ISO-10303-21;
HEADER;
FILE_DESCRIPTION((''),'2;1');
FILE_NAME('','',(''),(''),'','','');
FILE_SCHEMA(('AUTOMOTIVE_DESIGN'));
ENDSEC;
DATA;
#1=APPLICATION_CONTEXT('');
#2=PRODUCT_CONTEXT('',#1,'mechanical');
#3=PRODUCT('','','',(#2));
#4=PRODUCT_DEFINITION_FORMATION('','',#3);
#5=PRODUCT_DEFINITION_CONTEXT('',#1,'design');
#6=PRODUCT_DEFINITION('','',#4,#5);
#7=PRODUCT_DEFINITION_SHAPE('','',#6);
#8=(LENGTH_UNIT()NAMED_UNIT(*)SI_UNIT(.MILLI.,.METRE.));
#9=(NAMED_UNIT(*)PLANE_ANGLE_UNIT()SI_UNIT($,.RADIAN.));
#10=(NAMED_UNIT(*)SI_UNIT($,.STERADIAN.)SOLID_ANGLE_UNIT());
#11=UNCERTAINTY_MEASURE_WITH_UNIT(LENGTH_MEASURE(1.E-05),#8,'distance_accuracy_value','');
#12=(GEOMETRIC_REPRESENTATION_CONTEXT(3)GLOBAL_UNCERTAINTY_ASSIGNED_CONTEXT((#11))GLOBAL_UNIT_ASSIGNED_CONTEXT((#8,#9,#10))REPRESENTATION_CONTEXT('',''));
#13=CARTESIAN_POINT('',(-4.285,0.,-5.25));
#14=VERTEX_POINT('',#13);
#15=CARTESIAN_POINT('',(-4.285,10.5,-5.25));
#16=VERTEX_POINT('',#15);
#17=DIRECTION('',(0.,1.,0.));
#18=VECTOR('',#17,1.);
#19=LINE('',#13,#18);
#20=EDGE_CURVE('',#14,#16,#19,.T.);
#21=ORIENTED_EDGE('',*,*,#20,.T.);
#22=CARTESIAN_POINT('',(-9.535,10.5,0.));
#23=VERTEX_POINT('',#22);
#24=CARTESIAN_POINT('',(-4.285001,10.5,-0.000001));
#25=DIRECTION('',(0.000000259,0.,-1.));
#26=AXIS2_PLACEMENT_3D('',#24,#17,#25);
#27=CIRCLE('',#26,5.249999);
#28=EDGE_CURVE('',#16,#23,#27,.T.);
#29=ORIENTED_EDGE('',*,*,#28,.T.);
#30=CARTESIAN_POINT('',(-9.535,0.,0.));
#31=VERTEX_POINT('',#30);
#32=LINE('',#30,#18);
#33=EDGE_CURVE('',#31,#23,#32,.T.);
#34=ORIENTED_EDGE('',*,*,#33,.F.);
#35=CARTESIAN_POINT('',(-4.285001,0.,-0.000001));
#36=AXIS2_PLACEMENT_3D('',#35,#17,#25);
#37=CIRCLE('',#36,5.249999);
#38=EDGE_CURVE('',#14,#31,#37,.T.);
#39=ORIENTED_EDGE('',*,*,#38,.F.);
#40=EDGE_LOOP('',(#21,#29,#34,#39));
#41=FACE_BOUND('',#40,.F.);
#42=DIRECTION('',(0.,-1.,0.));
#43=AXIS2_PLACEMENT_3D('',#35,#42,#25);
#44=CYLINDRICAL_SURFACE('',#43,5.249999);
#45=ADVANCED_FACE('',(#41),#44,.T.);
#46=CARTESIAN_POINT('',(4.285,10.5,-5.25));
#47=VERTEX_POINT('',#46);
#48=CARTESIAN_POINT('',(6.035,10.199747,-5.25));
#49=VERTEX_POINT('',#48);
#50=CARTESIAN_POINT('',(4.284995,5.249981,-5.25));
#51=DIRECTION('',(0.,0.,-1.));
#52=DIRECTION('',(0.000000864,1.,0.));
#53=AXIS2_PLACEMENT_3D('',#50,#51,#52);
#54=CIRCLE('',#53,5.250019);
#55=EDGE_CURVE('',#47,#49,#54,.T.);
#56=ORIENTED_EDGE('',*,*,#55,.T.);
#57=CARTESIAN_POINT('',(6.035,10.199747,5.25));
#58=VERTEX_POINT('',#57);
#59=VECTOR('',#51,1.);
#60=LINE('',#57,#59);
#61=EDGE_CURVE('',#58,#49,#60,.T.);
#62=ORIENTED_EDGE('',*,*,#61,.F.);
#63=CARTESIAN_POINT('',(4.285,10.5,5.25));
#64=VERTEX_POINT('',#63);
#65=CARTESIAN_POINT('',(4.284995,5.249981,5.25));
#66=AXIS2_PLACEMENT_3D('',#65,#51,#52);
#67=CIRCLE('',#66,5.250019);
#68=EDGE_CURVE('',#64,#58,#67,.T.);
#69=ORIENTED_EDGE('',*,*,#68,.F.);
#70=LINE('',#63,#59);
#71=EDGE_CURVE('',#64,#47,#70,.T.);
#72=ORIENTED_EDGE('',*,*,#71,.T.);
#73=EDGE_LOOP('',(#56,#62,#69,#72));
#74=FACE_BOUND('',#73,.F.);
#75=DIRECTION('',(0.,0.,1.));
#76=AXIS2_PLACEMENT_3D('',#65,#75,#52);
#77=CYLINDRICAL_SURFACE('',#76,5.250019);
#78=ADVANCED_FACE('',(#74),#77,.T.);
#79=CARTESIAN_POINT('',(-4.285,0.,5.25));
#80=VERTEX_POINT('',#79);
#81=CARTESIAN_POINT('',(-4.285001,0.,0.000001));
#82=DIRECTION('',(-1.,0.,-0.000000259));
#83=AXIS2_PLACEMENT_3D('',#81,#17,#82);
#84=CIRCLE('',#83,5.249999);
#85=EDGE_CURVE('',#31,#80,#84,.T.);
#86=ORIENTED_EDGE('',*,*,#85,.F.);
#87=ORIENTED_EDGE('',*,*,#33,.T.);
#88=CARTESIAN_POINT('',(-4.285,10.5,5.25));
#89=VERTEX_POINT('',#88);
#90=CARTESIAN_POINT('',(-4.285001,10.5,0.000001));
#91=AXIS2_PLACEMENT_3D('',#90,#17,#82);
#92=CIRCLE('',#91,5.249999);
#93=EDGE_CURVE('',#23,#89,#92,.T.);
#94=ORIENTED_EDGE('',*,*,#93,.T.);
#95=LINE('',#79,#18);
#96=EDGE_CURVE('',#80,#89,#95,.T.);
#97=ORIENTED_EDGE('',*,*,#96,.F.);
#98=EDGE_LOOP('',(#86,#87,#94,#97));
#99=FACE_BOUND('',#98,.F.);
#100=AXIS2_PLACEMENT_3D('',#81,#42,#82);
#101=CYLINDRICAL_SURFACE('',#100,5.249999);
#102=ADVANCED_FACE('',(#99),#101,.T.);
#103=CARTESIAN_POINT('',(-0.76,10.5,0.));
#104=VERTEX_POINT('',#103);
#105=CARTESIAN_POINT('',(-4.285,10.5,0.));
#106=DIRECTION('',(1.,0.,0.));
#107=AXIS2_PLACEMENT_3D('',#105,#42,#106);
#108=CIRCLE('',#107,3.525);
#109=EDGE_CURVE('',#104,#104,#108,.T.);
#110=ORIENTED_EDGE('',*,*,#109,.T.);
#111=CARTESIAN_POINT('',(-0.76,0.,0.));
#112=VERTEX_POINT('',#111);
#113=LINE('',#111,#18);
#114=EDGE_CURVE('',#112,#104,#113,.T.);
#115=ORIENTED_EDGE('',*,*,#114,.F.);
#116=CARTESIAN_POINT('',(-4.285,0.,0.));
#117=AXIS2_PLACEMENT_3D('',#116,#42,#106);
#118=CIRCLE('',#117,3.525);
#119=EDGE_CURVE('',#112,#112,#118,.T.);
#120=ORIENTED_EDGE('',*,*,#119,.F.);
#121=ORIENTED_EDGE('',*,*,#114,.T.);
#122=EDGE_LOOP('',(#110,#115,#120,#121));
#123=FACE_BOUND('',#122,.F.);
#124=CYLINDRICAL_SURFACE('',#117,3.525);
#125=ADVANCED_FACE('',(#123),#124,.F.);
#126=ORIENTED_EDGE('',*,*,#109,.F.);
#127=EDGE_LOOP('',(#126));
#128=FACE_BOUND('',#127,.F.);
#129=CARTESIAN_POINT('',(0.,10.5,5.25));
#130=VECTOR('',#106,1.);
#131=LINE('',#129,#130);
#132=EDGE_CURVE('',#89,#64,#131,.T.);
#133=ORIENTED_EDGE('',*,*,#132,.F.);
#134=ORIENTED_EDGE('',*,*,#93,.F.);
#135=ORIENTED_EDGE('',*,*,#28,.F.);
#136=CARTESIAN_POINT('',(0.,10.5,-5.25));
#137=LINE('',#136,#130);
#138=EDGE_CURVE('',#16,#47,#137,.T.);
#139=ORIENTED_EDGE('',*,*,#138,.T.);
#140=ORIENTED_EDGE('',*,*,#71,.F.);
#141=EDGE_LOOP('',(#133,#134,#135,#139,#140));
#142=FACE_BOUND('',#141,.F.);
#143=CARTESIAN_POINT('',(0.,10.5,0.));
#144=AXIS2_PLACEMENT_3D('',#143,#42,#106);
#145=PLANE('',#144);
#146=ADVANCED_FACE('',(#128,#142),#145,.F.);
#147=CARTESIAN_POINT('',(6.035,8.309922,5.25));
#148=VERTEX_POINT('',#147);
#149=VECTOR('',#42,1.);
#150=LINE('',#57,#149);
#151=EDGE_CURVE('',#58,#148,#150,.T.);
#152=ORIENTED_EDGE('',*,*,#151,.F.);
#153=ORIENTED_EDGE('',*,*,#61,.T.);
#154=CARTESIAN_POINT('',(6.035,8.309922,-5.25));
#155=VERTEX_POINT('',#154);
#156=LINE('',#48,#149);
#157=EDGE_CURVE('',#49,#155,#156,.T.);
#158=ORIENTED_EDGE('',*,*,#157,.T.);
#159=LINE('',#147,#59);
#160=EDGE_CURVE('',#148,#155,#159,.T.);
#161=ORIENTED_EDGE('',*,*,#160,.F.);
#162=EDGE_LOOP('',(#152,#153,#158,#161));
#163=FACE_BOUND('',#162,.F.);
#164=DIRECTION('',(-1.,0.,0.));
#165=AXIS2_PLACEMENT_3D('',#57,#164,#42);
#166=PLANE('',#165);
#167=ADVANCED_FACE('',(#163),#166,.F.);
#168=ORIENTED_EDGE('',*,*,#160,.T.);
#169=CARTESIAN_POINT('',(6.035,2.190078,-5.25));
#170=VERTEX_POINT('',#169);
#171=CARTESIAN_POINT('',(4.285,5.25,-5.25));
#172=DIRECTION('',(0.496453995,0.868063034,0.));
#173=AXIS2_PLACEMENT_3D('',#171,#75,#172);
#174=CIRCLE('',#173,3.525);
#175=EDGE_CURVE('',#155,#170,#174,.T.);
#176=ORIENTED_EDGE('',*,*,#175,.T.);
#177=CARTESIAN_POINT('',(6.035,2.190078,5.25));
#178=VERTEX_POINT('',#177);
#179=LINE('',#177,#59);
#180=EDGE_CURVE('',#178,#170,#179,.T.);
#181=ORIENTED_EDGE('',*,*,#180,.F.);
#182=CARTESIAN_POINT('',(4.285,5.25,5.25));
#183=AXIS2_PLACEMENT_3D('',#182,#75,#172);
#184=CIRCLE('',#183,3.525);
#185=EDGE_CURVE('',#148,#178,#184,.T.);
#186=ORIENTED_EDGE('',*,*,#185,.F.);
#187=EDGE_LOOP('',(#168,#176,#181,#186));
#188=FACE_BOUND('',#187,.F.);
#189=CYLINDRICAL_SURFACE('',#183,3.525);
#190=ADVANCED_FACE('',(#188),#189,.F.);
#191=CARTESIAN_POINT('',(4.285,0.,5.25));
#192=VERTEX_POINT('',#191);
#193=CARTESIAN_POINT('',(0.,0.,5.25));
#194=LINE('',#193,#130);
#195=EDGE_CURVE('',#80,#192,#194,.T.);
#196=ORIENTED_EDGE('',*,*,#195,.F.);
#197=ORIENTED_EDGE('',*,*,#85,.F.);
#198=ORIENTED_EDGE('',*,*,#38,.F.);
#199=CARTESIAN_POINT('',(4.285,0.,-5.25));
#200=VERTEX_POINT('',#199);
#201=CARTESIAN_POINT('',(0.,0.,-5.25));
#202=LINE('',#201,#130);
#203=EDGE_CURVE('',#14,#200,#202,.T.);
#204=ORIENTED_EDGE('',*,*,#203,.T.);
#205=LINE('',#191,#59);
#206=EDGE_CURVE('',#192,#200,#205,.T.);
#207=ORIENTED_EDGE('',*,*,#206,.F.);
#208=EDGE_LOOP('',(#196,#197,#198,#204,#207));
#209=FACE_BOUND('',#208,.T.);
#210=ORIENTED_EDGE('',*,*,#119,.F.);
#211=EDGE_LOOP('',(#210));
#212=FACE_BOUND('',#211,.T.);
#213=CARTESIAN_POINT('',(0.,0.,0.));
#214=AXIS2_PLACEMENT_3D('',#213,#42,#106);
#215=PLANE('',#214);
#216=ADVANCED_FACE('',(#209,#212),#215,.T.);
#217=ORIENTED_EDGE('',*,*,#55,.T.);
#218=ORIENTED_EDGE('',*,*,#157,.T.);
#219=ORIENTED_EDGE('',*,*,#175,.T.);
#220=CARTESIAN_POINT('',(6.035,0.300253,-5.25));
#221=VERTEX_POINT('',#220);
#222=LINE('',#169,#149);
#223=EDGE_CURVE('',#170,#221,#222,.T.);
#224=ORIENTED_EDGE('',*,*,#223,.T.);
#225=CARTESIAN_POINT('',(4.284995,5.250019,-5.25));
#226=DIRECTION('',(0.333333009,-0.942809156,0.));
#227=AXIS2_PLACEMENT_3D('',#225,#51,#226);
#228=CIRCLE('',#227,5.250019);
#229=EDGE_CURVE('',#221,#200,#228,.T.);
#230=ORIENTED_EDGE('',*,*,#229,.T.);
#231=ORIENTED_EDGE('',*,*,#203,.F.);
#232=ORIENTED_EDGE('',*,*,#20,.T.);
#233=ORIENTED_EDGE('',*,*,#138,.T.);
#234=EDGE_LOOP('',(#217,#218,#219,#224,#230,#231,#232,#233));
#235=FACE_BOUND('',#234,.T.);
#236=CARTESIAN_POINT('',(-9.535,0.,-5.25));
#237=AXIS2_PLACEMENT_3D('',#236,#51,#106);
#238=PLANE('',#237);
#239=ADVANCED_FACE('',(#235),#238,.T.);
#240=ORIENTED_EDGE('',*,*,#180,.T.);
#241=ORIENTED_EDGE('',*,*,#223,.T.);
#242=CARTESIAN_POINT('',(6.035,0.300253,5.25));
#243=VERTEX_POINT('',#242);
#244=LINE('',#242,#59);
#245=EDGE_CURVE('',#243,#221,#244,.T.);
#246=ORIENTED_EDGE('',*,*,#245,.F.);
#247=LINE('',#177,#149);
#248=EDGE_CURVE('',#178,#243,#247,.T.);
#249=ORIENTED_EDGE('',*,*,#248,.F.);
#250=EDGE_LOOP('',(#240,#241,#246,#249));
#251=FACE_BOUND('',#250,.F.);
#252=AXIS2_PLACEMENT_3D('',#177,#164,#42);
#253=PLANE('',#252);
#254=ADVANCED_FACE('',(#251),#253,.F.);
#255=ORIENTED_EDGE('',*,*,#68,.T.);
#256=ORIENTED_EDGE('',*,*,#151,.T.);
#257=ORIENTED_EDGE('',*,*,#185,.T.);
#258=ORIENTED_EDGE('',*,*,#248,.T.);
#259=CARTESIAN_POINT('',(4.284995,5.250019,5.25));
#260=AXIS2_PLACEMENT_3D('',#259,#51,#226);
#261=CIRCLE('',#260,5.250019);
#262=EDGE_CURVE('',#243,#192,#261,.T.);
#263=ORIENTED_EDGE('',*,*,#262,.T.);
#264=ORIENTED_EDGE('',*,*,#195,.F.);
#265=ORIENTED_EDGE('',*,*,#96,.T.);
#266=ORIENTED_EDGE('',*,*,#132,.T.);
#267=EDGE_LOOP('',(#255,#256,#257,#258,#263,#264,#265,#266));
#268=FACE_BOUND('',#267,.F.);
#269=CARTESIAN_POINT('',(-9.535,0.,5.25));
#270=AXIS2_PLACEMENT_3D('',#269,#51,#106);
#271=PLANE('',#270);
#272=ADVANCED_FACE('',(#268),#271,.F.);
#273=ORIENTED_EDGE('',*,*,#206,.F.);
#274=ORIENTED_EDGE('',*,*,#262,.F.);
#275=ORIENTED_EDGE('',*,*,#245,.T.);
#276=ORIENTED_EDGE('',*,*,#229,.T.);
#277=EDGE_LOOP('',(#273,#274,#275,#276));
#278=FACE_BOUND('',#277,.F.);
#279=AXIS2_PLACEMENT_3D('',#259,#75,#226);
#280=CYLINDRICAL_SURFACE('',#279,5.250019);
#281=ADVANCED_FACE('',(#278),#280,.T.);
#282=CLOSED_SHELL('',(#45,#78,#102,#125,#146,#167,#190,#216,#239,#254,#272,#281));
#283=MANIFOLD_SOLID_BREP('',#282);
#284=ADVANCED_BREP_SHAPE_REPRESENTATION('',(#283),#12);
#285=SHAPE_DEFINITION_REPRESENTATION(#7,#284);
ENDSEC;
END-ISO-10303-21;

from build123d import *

# Parameters (mm, degrees)
F0_W     = 19.07
F0_H     = 10.5
F1_DEPTH = 10.5
F2_R     = 3.525
F3_DEPTH = 10.5
F5_DEPTH = 10.5


with BuildPart() as f1:
    # F0 (on Front) → F1 (new body)
    with BuildSketch(Plane.XZ):
        Rectangle(F0_W, F0_H)
    extrude(amount=-F1_DEPTH)

    # F2 (on face) → F3 (cut, through all)
    with BuildSketch(Plane.XZ):
        with BuildLine():
            ThreePointArc((-4.285, -5.25), (-7.997311, -3.712311), (-9.535, 0))
            Line((-9.535, 0), (-9.535, -5.25))
            Line((-9.535, -5.25), (-4.285, -5.25))
        make_face()
        with BuildLine():
            ThreePointArc((-9.535, 0), (-7.997311, 3.712311), (-4.285, 5.25))
            Line((-4.285, 5.25), (-9.535, 5.25))
            Line((-9.535, 5.25), (-9.535, 0))
        make_face()
        with Locations((-4.285, 0)):
            Circle(F2_R)
    extrude(amount=-F3_DEPTH, mode=Mode.SUBTRACT)

    # F4 (on face) → F5 (cut, through all)
    with BuildSketch(Plane.XY.offset(5.25)):
        with BuildLine():
            ThreePointArc((6.035, 0.300253), (5.172785, 0.075608), (4.285, 0))
            Line((4.285, 0), (9.535, 0))
            Line((9.535, 0), (9.535, 10.5))
            Line((9.535, 10.5), (4.285, 10.5))
            ThreePointArc((4.285, 10.5), (5.172785, 10.424392), (6.035, 10.199747))
            Line((6.035, 10.199747), (6.035, 8.309922))
            ThreePointArc((6.035, 8.309922), (0.76, 5.25), (6.035, 2.190078))
            Line((6.035, 2.190078), (6.035, 0.300253))
        make_face()
    extrude(amount=-F5_DEPTH, mode=Mode.SUBTRACT)


solid = f1.part
